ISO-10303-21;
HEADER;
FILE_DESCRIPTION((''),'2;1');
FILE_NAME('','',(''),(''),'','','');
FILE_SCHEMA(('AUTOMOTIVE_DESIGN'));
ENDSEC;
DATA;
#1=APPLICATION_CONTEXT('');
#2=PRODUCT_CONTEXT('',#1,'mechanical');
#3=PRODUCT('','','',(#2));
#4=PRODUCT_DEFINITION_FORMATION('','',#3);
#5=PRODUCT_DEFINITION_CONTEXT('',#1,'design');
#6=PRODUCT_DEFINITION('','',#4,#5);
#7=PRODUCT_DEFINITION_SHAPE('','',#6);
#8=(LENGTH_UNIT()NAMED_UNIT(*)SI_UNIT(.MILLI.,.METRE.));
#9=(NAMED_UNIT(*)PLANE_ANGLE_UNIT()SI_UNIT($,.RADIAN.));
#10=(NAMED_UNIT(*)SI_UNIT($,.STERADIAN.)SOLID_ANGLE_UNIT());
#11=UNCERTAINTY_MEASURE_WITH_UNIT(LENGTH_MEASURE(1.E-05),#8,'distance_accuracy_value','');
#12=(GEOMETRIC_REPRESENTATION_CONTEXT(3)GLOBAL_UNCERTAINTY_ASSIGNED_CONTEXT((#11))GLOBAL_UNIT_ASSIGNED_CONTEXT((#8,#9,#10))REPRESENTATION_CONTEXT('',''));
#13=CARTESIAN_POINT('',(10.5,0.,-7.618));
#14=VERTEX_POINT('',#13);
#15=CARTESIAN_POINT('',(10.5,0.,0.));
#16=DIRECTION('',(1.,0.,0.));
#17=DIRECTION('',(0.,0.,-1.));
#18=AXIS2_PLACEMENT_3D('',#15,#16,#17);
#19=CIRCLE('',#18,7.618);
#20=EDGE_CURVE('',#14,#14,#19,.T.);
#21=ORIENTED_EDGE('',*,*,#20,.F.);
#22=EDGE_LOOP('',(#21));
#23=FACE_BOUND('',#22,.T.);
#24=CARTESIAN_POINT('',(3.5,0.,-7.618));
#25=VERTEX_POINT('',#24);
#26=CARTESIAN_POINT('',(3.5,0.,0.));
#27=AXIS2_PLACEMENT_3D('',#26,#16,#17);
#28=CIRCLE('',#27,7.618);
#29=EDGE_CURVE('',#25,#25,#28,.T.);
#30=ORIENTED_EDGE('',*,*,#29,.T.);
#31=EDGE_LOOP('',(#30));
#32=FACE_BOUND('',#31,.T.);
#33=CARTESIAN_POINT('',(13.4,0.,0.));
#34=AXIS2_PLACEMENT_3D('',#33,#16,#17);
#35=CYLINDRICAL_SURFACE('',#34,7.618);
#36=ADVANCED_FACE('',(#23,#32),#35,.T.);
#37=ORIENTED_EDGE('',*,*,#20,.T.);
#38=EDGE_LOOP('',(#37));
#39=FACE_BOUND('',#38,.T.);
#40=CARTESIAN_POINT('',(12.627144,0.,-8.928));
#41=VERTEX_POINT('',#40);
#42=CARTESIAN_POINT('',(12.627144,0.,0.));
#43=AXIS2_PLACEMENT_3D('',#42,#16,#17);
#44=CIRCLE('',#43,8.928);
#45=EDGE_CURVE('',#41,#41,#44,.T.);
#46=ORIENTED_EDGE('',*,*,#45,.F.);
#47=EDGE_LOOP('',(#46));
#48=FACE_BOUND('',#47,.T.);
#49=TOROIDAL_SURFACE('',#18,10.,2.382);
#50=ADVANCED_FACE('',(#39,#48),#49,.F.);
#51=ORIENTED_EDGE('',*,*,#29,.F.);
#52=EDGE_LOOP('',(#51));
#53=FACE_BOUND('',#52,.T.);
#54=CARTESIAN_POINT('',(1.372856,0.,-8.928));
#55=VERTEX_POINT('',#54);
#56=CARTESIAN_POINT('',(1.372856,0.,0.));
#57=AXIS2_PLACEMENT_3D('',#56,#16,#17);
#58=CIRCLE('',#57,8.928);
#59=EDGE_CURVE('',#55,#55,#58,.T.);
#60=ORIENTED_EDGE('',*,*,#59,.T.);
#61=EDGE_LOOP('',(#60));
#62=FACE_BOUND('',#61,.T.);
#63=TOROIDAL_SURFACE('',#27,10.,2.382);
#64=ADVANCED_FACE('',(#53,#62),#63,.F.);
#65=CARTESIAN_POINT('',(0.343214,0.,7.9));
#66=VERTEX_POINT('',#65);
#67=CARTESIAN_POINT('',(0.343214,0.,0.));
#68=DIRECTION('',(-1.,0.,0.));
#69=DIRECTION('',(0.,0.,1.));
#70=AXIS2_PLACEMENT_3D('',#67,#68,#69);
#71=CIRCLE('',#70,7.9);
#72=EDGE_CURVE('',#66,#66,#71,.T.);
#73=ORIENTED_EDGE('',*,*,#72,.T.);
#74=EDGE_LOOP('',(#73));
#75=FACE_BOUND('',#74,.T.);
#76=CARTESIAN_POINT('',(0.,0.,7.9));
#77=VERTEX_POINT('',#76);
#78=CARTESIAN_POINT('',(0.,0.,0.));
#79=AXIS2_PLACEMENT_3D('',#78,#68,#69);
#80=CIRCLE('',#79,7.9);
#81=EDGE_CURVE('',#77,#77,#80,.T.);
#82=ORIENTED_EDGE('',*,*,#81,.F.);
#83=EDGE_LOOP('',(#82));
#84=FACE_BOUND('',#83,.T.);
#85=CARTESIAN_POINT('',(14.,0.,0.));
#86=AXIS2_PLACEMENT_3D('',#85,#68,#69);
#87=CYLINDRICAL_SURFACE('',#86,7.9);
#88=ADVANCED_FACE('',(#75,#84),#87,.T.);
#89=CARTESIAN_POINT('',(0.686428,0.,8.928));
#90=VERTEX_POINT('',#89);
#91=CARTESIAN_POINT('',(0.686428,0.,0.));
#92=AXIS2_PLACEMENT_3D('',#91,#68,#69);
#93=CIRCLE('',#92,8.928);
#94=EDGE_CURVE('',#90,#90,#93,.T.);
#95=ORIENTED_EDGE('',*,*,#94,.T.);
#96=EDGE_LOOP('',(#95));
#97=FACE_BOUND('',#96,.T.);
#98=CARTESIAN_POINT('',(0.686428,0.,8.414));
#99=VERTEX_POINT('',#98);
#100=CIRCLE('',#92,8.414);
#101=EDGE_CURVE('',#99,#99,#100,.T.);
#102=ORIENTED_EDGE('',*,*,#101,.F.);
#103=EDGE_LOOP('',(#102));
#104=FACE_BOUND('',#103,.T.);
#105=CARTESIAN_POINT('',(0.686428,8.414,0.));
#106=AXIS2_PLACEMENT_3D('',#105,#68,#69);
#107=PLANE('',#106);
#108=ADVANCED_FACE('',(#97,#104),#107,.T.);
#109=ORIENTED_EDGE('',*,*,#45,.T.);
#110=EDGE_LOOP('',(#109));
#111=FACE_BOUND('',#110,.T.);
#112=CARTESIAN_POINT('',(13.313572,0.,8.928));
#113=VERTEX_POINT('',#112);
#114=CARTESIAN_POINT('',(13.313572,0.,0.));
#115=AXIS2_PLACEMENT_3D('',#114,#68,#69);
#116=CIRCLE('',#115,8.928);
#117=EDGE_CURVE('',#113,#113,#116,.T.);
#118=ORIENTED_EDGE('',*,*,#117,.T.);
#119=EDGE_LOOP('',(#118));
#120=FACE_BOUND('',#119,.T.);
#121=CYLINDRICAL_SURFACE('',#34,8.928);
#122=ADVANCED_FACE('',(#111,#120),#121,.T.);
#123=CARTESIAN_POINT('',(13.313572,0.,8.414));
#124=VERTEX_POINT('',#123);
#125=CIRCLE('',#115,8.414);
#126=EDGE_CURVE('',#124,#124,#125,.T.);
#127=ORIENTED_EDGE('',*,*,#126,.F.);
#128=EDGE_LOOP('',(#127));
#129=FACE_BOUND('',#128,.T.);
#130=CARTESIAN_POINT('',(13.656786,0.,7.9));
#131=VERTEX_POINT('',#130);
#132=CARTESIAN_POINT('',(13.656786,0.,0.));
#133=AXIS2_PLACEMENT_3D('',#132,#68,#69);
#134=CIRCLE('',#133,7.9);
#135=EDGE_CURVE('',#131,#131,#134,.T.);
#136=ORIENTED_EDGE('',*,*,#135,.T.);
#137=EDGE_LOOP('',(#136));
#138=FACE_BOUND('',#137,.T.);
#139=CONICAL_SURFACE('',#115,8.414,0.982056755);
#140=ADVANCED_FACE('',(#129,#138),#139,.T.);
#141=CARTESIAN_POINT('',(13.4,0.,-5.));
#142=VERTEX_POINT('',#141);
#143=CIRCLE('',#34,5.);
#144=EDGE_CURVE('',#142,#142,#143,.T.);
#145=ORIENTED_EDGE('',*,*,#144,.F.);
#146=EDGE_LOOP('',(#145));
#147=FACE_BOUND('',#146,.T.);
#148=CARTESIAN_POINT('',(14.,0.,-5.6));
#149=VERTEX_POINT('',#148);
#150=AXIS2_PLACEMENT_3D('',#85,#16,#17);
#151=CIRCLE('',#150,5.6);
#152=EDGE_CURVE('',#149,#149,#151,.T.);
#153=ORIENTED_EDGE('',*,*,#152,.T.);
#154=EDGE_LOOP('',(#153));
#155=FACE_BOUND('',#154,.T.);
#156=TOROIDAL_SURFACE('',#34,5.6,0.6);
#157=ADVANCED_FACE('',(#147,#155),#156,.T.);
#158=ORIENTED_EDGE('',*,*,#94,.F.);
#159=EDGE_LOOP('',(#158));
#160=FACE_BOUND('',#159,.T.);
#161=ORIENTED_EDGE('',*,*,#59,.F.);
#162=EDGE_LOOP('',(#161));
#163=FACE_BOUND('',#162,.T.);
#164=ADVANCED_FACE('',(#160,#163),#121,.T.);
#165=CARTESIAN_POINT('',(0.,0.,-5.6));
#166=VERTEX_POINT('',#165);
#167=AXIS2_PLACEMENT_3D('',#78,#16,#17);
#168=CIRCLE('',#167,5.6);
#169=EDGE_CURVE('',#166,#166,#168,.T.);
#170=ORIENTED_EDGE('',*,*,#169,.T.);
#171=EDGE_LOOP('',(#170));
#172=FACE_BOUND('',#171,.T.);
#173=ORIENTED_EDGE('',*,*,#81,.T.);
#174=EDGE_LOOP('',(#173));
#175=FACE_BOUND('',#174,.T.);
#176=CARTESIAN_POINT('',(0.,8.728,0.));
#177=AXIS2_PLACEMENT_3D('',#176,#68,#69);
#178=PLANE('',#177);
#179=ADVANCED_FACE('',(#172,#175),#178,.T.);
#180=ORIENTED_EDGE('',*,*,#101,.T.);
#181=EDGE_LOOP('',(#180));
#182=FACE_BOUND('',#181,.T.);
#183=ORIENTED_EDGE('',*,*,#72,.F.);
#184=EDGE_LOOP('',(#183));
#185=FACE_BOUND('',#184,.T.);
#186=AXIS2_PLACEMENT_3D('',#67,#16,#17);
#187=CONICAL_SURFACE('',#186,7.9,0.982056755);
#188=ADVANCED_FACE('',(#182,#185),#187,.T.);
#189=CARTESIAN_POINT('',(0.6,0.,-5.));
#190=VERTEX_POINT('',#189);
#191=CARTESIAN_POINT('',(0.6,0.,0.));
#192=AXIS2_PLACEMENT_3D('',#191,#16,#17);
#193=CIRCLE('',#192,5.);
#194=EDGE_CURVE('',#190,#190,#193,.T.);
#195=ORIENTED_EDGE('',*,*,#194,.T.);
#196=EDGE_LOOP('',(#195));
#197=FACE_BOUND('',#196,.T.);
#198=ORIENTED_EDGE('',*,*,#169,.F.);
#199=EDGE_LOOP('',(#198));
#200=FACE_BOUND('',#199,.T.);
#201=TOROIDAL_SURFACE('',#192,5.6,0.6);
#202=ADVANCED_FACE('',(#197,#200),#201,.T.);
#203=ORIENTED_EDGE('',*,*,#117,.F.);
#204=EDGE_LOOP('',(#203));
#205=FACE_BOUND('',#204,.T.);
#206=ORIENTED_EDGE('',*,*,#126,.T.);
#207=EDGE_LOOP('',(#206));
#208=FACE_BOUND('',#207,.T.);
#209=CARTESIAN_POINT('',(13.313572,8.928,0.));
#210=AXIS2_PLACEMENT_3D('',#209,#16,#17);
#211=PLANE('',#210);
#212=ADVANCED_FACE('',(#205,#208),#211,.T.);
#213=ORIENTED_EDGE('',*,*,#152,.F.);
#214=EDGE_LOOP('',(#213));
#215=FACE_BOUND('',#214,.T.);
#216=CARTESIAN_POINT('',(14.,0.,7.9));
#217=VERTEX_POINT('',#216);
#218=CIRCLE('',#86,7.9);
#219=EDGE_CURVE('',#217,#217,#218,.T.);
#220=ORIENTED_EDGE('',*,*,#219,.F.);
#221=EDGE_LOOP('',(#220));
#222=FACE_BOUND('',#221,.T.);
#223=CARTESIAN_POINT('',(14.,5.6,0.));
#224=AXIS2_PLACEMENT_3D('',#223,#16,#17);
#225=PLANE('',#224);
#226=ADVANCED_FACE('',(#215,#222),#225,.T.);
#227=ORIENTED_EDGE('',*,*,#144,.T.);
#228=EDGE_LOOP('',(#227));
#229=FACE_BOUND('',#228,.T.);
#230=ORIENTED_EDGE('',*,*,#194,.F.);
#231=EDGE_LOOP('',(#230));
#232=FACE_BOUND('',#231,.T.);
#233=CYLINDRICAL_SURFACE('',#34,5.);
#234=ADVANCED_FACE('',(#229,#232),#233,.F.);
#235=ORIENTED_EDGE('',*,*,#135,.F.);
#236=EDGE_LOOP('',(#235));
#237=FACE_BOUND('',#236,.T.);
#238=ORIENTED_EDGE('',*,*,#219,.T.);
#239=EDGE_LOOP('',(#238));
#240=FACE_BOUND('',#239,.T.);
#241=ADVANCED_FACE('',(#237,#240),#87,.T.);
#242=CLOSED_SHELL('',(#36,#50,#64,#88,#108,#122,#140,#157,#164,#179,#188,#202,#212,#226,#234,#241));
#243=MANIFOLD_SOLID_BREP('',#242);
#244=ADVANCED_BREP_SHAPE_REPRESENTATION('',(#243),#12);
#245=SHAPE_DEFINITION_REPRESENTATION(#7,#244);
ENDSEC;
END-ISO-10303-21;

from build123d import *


with BuildPart() as part:
    # Sketch1 → Revolve1 (revolve)
    with BuildSketch(Plane.XY):
        with BuildLine():
            Line((0.6, 5), (13.4, 5))
            ThreePointArc((13.4, 5), (13.824264069, 5.175735931), (14, 5.6))
            Line((14, 5.6), (14, 8.728))
            ThreePointArc((14, 8.728), (13.941421356, 8.869421356), (13.8, 8.928))
            Line((13.8, 8.928), (12.627143625, 8.928))
            ThreePointArc((12.627143625, 8.928), (11.749083664, 7.971770723), (10.5, 7.618))
            Line((10.5, 7.618), (3.5, 7.618))
            ThreePointArc((3.5, 7.618), (2.250916336, 7.971770723), (1.372856375, 8.928))
            Line((1.372856375, 8.928), (0.2, 8.928))
            ThreePointArc((0.2, 8.928), (0.058578644, 8.869421356), (0, 8.728))
            Line((0, 8.728), (0, 5.6))
            ThreePointArc((0, 5.6), (0.175735931, 5.175735931), (0.6, 5))
        make_face()
    revolve(axis=Axis((13.4, 0, 0), (-1, 0, 0)))

    # Sketch2 → Cut-Revolve1 (revolve, cut)
    with BuildSketch(Plane.XY):
        Polygon((0, 7.9), (0.343214094, 7.9), (0.686428188, 8.414), (0.686428188, 8.928), (13.313571812, 8.928), (13.313571812, 8.414), (13.656785906, 7.9), (14, 7.9), (14, 11.828), (0, 11.828), align=None)
    revolve(axis=Axis((14, 0, 0), (-1, 0, 0)), mode=Mode.SUBTRACT)


solid = part.part
